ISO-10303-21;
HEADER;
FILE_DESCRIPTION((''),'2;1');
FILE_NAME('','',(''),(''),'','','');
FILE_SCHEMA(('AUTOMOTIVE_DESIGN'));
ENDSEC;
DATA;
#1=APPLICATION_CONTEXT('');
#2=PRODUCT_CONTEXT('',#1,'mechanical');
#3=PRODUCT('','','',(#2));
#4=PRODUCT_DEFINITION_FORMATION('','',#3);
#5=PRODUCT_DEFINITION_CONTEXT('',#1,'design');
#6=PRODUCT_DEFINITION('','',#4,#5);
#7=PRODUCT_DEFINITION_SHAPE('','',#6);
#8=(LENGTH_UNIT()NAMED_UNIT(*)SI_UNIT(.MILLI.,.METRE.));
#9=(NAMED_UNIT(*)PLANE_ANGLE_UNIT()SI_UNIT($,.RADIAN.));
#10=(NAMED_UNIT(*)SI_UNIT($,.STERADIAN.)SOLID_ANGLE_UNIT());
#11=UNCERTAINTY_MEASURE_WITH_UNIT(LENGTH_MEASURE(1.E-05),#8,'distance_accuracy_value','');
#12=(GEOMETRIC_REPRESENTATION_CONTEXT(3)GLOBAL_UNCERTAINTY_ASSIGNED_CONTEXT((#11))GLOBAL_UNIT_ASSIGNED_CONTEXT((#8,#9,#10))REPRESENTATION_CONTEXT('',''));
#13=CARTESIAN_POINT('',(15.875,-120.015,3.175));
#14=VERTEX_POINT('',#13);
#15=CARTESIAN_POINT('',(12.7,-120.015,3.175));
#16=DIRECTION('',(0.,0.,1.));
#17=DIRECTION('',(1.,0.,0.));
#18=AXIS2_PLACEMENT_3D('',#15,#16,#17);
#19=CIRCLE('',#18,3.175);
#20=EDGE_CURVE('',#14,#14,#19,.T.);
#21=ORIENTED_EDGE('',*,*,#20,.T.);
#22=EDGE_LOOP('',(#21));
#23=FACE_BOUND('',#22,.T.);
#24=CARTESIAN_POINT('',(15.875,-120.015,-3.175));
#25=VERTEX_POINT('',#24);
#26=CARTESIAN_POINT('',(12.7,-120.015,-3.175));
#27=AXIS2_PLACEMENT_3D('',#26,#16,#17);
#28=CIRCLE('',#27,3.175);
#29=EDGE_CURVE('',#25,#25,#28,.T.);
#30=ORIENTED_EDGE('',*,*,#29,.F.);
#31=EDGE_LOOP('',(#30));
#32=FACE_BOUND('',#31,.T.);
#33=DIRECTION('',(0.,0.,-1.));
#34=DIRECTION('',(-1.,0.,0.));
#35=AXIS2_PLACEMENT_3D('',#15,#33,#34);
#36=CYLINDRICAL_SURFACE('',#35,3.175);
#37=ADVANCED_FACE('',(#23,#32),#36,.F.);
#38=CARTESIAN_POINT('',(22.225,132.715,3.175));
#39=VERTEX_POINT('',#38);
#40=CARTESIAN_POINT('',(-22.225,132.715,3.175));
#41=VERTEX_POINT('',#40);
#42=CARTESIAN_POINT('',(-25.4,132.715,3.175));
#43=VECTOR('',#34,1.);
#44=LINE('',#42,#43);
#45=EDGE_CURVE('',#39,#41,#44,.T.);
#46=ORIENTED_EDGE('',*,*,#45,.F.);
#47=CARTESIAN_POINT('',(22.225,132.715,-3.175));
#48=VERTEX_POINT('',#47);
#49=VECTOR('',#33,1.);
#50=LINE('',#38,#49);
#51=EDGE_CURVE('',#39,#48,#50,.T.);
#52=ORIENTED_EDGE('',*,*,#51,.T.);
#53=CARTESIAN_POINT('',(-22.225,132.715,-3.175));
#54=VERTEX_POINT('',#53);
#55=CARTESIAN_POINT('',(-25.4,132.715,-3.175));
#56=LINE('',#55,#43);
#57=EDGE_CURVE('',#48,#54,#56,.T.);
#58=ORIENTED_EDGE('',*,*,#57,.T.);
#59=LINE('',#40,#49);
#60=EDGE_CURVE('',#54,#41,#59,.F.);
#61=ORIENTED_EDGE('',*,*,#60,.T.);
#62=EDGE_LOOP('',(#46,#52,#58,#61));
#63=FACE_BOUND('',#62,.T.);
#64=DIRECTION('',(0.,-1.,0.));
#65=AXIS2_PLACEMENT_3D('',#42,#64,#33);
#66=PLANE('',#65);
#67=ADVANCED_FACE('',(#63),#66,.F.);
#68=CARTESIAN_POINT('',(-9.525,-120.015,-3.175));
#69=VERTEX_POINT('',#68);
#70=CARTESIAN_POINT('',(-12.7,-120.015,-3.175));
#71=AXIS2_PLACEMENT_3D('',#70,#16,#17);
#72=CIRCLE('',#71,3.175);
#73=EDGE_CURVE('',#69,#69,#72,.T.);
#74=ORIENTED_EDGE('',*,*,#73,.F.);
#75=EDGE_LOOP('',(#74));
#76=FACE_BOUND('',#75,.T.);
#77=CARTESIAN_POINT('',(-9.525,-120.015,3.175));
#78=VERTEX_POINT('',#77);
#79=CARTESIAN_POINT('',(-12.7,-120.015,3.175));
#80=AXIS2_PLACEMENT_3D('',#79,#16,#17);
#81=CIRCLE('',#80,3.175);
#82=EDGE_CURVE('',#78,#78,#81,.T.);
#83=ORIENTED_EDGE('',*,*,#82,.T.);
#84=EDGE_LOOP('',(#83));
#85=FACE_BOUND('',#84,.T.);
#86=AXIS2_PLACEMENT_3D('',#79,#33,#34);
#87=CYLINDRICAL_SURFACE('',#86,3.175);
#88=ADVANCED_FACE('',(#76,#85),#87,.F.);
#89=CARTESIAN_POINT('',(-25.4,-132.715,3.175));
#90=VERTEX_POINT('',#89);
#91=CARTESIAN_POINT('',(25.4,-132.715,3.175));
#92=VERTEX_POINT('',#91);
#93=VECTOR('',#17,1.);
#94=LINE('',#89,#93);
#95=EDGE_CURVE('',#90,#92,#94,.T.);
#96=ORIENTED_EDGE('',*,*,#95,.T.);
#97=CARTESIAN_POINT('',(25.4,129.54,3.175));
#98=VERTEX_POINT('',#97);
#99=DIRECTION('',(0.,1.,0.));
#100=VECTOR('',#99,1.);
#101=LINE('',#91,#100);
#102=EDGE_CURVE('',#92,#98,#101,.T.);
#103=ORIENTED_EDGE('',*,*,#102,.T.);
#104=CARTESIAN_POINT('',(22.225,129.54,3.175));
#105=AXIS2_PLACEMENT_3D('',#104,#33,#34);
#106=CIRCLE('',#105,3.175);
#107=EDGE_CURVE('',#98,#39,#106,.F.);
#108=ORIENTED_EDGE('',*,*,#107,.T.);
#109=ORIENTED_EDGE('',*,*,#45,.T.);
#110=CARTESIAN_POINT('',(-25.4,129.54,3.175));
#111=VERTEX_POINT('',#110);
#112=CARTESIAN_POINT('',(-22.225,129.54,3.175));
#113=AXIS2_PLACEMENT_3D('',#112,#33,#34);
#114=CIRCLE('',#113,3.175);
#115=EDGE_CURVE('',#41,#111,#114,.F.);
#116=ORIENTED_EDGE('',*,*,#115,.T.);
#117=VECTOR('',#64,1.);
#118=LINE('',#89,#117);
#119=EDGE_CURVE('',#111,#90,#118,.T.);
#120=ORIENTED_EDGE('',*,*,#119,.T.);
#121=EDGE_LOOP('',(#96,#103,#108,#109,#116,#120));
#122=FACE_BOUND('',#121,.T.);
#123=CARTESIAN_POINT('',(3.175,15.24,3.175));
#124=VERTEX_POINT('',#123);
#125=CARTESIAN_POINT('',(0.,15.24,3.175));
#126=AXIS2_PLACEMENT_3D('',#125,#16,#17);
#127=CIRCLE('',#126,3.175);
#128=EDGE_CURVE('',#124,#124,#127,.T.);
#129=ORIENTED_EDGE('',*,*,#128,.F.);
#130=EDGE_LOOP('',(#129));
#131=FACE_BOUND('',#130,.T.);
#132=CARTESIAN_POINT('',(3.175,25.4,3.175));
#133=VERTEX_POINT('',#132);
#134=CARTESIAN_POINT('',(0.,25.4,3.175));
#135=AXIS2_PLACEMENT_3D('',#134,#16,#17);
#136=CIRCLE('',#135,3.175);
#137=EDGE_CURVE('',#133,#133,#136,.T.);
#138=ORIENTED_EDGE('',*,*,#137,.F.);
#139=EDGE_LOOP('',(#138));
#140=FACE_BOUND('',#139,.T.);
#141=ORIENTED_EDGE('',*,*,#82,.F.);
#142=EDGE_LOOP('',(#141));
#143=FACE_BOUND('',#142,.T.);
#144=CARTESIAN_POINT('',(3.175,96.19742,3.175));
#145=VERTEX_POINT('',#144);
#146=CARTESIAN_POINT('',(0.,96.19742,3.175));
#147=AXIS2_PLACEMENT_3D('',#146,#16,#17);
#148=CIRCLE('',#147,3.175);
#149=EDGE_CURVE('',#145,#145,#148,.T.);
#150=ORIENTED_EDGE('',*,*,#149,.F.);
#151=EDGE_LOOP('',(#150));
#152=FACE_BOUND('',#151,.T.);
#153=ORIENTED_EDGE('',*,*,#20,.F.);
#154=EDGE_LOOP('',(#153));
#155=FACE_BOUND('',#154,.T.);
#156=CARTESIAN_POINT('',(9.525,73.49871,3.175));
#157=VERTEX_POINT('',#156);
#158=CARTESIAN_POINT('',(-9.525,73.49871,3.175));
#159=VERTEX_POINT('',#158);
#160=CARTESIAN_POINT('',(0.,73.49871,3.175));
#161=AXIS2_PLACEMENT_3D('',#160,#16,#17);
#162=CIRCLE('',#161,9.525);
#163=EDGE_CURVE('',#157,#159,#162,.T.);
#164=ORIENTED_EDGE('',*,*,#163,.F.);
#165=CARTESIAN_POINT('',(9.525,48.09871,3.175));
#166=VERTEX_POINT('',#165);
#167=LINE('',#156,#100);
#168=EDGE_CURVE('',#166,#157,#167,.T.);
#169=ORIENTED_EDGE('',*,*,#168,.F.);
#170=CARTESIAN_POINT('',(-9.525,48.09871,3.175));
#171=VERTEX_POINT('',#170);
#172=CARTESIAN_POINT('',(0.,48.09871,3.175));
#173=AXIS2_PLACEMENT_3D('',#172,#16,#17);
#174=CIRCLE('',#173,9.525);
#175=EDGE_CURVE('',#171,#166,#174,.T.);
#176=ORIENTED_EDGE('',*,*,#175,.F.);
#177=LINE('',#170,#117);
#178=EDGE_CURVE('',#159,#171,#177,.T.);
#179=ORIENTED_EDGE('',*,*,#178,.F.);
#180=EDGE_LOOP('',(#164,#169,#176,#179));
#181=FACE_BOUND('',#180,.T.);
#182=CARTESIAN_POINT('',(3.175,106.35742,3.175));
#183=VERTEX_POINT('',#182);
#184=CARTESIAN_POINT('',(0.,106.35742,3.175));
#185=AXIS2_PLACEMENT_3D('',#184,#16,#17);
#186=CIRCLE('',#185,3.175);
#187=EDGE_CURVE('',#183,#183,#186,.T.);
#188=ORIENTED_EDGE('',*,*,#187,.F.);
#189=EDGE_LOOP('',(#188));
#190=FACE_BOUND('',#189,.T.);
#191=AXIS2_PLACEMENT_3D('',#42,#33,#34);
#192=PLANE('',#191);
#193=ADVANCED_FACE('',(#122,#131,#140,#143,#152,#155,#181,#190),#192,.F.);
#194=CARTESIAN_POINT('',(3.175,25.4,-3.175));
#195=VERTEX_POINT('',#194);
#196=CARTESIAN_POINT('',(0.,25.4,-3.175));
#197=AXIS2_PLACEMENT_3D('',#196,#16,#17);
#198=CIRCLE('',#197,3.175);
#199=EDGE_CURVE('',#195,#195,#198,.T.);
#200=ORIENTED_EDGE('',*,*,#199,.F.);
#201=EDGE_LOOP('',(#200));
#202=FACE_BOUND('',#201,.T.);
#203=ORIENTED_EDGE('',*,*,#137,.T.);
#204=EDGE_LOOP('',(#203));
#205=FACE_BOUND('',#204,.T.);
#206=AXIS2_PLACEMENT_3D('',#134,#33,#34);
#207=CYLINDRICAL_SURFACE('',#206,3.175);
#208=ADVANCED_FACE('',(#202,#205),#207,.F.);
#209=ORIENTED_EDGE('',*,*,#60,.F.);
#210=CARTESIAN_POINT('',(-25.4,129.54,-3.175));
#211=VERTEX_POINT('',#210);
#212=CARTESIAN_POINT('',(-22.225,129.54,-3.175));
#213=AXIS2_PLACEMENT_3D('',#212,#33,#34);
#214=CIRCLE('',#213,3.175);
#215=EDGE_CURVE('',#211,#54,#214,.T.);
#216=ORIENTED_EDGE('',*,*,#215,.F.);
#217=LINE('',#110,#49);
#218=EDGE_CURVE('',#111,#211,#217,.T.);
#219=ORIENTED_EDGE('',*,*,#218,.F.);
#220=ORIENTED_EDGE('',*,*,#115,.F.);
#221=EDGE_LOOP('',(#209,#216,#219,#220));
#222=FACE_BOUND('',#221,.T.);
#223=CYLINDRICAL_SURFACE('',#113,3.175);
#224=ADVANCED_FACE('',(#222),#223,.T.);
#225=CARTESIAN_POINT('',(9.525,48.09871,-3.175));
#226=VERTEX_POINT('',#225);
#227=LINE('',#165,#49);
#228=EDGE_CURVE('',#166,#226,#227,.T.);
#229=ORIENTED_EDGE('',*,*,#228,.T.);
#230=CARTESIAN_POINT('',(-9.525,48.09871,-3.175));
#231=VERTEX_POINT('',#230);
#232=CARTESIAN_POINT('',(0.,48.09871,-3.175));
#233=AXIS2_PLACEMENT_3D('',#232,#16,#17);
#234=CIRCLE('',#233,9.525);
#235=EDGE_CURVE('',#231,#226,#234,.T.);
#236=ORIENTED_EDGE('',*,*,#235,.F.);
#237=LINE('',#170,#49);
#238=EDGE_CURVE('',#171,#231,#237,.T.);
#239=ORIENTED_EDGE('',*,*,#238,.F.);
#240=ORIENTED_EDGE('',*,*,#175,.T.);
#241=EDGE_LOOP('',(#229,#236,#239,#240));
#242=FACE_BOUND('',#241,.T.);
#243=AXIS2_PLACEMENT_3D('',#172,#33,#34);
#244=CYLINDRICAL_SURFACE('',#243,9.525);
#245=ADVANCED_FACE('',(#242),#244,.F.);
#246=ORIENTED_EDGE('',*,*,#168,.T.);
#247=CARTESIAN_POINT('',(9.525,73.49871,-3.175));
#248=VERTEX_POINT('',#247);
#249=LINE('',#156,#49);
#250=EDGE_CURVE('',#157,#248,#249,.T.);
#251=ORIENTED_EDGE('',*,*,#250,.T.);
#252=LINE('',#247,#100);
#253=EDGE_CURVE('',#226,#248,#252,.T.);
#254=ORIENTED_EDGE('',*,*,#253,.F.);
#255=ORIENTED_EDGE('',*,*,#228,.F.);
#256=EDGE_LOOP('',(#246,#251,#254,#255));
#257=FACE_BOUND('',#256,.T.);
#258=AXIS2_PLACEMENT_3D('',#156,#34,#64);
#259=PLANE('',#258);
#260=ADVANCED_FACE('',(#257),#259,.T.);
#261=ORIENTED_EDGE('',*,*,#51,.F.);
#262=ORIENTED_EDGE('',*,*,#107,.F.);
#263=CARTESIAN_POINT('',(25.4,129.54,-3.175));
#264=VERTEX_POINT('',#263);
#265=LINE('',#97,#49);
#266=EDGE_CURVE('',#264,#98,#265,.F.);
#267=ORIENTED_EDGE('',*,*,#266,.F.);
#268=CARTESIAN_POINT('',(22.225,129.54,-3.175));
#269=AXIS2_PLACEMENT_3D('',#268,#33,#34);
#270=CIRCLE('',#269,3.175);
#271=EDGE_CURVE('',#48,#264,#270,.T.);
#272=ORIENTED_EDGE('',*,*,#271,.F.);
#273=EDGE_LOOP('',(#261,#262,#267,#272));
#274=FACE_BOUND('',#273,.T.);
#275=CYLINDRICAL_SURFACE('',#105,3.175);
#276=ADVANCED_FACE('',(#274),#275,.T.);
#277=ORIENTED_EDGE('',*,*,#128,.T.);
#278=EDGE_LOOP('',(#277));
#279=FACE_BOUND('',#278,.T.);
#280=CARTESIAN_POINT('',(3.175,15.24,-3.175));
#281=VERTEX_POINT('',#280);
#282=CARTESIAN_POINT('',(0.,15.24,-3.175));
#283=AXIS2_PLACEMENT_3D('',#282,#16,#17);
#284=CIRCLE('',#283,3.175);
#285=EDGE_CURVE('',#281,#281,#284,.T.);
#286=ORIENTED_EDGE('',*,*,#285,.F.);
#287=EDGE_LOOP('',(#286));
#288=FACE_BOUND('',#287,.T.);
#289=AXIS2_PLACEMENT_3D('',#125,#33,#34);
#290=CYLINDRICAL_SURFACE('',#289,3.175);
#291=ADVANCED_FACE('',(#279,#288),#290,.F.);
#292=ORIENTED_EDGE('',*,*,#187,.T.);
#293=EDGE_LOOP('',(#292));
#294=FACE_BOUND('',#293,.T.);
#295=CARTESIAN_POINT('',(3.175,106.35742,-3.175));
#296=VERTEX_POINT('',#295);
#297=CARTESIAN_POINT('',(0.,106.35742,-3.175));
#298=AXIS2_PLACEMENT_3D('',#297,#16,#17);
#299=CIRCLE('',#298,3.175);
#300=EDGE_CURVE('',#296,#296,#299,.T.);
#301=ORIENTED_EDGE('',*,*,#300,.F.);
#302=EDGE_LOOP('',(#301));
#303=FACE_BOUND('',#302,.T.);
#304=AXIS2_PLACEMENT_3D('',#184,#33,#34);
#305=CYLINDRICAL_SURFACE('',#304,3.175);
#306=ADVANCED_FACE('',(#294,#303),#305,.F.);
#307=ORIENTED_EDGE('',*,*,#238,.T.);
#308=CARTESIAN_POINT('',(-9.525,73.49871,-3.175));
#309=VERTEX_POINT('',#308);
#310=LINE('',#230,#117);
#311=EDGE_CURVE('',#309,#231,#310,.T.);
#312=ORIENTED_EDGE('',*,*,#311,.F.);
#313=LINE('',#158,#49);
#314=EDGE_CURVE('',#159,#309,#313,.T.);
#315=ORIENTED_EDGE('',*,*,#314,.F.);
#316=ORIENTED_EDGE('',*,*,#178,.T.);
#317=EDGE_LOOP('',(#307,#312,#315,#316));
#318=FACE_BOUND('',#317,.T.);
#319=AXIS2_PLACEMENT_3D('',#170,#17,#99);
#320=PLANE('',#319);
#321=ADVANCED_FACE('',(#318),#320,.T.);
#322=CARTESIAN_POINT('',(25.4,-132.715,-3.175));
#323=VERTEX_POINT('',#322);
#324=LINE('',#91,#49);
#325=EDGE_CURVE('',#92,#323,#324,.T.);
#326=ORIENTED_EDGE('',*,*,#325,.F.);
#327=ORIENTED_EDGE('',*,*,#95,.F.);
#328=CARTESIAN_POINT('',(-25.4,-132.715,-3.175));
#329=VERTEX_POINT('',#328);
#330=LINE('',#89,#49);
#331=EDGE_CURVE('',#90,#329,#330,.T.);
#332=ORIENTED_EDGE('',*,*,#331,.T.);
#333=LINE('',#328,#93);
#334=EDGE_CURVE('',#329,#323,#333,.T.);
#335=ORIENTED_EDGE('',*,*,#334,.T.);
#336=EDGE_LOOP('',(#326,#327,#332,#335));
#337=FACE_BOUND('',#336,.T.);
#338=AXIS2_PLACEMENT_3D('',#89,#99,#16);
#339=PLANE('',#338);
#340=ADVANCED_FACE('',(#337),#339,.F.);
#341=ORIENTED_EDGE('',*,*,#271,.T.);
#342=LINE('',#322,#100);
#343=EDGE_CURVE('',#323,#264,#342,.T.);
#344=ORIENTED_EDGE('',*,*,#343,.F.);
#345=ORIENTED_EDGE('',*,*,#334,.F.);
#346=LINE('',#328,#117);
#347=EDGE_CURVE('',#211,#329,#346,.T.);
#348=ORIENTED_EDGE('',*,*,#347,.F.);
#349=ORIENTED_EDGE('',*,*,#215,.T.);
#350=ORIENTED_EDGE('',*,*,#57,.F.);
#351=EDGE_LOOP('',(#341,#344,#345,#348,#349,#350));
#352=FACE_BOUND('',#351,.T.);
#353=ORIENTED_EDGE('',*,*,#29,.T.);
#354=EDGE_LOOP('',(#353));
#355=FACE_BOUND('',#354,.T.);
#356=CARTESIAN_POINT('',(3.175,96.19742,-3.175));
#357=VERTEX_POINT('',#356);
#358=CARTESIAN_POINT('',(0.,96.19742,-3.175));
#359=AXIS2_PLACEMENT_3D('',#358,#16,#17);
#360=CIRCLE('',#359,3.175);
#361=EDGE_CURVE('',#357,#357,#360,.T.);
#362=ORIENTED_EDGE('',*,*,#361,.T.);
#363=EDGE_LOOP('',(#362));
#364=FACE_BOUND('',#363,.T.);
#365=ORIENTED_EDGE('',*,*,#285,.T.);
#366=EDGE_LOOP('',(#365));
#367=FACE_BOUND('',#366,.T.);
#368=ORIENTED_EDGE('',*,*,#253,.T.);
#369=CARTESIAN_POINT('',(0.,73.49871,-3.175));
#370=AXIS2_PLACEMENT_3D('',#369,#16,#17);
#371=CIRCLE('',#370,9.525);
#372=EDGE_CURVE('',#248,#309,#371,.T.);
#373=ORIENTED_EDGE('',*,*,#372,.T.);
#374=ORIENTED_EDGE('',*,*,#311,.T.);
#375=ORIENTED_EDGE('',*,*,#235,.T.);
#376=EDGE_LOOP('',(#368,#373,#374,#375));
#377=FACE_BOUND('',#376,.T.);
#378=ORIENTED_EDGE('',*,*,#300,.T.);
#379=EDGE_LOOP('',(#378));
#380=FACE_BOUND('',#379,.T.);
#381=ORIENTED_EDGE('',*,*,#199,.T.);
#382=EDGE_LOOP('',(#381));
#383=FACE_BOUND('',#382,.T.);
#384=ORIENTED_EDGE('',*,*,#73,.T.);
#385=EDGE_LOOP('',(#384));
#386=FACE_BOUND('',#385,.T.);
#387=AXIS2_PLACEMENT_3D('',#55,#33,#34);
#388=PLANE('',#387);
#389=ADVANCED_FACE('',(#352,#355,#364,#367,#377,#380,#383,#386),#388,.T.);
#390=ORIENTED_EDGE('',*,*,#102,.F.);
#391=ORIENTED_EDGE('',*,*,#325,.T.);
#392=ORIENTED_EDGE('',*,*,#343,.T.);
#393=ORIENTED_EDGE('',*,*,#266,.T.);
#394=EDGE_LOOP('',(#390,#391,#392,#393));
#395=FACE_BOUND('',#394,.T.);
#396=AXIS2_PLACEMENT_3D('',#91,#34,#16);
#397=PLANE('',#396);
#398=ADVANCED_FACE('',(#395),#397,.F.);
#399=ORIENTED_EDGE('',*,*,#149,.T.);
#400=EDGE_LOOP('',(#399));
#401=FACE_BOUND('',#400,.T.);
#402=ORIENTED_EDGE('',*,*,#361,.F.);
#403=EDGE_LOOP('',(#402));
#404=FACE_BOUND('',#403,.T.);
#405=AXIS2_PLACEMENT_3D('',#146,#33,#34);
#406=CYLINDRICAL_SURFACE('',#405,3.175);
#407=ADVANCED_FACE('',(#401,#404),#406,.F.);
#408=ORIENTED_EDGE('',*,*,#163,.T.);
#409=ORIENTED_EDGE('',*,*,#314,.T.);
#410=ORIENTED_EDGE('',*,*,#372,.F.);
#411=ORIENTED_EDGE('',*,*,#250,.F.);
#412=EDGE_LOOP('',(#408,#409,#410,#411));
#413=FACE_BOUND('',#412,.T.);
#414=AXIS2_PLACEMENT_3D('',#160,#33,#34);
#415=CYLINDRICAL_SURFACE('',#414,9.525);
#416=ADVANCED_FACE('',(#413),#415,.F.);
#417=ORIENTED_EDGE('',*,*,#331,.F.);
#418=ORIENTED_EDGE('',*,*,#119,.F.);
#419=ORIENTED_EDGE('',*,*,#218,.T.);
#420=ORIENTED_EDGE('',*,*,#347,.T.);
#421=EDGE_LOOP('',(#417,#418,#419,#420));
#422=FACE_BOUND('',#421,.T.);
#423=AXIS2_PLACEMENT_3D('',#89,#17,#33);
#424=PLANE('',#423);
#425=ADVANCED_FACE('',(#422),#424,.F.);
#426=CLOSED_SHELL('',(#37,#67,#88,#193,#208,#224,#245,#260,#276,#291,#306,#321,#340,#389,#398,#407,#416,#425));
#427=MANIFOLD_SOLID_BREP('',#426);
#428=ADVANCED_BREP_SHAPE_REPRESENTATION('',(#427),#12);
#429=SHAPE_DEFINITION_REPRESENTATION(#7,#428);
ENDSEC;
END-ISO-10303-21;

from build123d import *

# Parameters (mm, degrees)
SKETCH1_W      = 50.8
SKETCH1_H      = 265.43
SKETCH1_R      = 3.175
EXTRUDE1_DEPTH = 3.175
FILLET1_R      = 3.175


with BuildPart() as part:
    # Sketch1 → Extrude1 (new, symmetric)
    with BuildSketch(Plane.XY):
        Rectangle(SKETCH1_W, SKETCH1_H)
        with Locations((0, 106.35742)):
            Circle(SKETCH1_R, mode=Mode.SUBTRACT)
        with Locations((0, 96.19742)):
            Circle(SKETCH1_R, mode=Mode.SUBTRACT)
        with Locations((0, 15.24)):
            Circle(SKETCH1_R, mode=Mode.SUBTRACT)
        with Locations((0, 25.4)):
            Circle(SKETCH1_R, mode=Mode.SUBTRACT)
        with Locations((12.7, -120.015)):
            Circle(SKETCH1_R, mode=Mode.SUBTRACT)
        with Locations((-12.7, -120.015)):
            Circle(SKETCH1_R, mode=Mode.SUBTRACT)
        with BuildLine():
            Line((9.525, 73.49871), (9.525, 48.09871))
            ThreePointArc((9.525, 48.09871), (0, 38.57371), (-9.525, 48.09871))
            Line((-9.525, 48.09871), (-9.525, 73.49871))
            ThreePointArc((-9.525, 73.49871), (0, 83.02371), (9.525, 73.49871))
        make_face(mode=Mode.SUBTRACT)
    extrude(amount=EXTRUDE1_DEPTH, both=True)

    # Fillet1
    fillet1_edges = [part.edges().sort_by_distance(p)[0] for p in [
        (-25.4, 132.715, 0),
        (25.4, 132.715, 0),
    ]]
    fillet(fillet1_edges, radius=FILLET1_R)


solid = part.part
